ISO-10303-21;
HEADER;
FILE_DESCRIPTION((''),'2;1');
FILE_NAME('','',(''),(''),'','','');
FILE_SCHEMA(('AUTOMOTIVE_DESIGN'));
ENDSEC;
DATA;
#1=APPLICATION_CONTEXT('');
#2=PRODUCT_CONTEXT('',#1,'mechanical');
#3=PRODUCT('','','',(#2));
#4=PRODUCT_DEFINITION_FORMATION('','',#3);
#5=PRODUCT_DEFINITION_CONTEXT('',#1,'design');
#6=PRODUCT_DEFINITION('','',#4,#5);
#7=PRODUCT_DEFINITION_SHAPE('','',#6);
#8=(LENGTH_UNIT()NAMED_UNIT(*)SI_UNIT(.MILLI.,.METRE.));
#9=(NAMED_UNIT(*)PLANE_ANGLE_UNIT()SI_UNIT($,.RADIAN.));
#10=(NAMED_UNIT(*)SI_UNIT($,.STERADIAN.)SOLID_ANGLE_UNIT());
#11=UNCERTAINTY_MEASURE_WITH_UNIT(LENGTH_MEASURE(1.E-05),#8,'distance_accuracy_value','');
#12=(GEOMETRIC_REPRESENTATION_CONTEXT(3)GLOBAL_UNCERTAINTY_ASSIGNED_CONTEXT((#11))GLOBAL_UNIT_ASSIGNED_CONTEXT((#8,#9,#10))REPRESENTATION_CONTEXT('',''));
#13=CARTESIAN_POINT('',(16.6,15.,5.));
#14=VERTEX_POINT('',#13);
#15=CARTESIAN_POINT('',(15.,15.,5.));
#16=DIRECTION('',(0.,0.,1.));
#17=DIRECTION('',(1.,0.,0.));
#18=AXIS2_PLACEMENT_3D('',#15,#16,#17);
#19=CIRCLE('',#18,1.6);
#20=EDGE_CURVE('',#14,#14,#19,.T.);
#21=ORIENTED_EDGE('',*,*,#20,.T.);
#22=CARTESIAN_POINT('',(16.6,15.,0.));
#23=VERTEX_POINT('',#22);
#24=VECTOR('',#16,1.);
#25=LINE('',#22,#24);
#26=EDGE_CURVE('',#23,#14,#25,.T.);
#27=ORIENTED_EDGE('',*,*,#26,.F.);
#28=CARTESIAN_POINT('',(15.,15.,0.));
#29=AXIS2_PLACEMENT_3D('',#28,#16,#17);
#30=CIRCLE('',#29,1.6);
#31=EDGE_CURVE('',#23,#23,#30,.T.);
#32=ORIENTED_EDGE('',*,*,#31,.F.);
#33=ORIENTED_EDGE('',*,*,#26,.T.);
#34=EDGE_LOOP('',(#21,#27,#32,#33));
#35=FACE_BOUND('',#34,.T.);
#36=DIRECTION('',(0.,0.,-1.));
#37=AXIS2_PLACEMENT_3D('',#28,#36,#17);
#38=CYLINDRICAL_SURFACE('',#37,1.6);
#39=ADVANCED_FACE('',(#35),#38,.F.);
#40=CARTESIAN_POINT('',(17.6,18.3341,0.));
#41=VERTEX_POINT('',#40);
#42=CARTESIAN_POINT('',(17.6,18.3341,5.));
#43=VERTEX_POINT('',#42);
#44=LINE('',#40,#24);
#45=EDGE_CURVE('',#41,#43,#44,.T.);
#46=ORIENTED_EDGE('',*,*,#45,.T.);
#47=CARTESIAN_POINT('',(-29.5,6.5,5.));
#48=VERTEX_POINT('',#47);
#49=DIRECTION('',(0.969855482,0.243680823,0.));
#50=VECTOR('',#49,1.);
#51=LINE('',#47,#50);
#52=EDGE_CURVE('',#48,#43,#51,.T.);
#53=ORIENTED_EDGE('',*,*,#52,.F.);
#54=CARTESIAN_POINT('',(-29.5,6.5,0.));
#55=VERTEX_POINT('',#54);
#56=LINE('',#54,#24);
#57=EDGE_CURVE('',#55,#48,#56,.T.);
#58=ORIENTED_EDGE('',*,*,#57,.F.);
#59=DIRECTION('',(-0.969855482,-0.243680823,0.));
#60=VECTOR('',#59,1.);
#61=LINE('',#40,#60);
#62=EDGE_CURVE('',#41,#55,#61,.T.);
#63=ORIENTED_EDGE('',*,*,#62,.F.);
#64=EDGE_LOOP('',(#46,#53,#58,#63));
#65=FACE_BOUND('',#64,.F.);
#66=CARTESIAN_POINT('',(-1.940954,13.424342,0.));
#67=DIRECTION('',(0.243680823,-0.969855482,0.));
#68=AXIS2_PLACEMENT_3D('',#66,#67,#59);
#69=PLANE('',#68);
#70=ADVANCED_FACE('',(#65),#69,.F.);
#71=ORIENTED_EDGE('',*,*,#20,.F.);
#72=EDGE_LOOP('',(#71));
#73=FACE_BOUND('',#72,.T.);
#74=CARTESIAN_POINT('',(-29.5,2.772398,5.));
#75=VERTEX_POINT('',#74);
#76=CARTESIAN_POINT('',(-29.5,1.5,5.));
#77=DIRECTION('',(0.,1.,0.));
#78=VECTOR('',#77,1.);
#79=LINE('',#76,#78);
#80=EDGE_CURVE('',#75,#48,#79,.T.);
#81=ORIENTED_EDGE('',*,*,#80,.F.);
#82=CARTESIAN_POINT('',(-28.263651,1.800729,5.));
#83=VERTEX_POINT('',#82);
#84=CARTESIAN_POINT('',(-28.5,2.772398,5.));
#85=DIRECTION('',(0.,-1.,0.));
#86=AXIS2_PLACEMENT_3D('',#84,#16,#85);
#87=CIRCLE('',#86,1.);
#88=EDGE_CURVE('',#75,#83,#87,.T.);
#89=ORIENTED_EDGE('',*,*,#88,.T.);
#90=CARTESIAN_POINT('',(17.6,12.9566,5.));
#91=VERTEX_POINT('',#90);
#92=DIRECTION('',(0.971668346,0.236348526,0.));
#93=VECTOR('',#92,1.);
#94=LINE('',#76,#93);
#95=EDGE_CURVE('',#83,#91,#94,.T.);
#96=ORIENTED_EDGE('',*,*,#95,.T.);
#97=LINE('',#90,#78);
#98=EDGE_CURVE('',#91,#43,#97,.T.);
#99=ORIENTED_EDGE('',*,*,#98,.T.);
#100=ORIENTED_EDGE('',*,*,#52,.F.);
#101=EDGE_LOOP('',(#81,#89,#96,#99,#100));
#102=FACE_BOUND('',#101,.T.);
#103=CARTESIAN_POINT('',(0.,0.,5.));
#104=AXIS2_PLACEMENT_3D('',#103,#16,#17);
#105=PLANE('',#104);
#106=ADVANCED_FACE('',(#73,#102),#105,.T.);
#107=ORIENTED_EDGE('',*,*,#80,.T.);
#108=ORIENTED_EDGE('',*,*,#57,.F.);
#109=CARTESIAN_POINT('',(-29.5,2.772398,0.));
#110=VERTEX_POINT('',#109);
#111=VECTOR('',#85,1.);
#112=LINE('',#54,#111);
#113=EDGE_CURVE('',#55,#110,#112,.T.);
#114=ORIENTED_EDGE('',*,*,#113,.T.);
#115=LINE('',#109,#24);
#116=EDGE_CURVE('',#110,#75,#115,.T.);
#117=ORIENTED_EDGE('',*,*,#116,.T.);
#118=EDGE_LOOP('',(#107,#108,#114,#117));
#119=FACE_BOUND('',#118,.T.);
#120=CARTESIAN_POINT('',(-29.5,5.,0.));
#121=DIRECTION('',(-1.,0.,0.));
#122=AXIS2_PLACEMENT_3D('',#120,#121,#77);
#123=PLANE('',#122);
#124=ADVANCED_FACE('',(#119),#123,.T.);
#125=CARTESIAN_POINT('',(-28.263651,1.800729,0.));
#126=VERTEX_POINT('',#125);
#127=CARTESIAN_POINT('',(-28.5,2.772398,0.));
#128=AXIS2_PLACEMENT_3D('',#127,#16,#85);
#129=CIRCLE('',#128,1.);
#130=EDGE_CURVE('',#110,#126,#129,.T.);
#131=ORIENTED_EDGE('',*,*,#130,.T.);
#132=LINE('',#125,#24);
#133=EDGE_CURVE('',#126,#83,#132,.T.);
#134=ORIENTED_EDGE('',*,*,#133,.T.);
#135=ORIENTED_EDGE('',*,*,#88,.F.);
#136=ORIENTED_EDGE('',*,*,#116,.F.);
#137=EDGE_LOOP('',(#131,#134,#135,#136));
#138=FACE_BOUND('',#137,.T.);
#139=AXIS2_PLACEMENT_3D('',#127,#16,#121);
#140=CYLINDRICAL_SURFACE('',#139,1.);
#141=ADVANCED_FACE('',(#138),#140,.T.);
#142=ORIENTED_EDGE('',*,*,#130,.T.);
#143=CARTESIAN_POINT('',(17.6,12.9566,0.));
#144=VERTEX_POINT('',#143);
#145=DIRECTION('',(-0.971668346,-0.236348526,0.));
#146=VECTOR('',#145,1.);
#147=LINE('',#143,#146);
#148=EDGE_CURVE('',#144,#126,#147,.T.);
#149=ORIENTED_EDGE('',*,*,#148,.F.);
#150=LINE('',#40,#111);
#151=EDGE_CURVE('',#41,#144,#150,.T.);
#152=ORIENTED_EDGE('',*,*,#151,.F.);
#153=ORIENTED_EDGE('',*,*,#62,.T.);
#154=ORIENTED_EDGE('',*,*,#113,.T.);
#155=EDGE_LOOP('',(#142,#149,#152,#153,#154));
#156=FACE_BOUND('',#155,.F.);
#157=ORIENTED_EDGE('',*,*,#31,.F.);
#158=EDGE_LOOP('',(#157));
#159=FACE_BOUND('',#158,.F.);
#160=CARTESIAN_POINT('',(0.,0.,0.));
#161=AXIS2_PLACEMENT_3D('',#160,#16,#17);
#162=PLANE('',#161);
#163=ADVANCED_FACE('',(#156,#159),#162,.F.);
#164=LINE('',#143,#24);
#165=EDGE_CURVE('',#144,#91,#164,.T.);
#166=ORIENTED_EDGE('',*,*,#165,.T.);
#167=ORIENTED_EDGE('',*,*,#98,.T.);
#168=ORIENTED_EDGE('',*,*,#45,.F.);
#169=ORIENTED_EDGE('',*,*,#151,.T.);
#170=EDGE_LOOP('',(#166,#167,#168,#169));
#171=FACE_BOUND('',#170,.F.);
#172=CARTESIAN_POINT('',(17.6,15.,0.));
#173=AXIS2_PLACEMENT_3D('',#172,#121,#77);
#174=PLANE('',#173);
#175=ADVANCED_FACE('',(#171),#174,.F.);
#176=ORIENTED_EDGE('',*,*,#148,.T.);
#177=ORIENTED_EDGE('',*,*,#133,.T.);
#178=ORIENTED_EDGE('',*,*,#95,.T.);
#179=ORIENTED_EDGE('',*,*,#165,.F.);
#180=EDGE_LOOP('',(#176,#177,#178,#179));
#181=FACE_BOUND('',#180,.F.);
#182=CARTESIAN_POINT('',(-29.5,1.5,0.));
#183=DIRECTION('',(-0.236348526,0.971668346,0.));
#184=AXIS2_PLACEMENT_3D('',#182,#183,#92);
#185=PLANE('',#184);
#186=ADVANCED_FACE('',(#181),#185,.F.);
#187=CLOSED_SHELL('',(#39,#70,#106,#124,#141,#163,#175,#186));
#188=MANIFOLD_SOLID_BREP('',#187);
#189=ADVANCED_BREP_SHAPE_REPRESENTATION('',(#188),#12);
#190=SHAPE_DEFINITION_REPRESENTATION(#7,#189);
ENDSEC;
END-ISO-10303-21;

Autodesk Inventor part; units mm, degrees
ref_plane "YZ Plane" through (0, 0, 0) normal (1, 0, 0) x (0, 1, 0)
ref_plane "XZ Plane" through (0, 0, 0) normal (0, 1, 0) x (-1, 0, 0)
ref_plane "XY Plane" through (0, 0, 0) normal (0, 0, 1) x (1, 0, 0)
sketch "スケッチ1" plane through (0, 0, 0) normal (0, 0, 1) x (1, 0, 0)
  line L0 (0, 0) -> (-100, 0) construction
  line L1 (0, 0) -> (-100, 0) construction
  line L2 (0, 5) -> (-100, 5)
  line L3 (-100, -5) -> (0, -5)
  arc A0 (0, -5) -> (0, 5) centre (0, 0) ccw
  circle A1 centre (0, 0) radius 1.5
  line L4 (-29.5, 1.5) -> (-29.5, 6.5)
  line L5 (-29.5, 1.5) -> (17.6, 12.9566)
  line L6 (17.6, 12.9566) -> (17.6, 18.3341)
  line L7 (17.6, 18.3341) -> (-29.5, 6.5)
  circle A2 centre (0, 15) radius 1.5
  line L8 (0, 15) -> (0, 0)
  circle A3 centre (0, 15) radius 2.5
  circle A4 centre (15, 15) radius 2.5
  circle A5 centre (15, 15) radius 1.5
  line L9 (-30, 6.8899) -> (-30, 0.8638)
  line L10 (-30, 0.8638) -> (18.1, 12.5637)
  line L11 (18.1, 12.5637) -> (18.1, 18.9752)
  line L12 (18.1, 18.9752) -> (-30, 6.8899)
  line L13 (-100, 5) -> (-100, -5)
  line L14 (0, 0) -> (-11, 0)
  line L15 (-11, 0) -> (-11, -3.5)
  line L16 (-11, 0) -> (-7.5, 0) construction
  line L17 (-11, -3.5) -> (0, -3.5)
  circle A6 centre (0, 0) radius 3.5
  line L18 (0, 5) -> (2.4995, 2.45)
  line L19 (-11, 0) -> (-11, -5)
  line L20 (15, 15) -> (15, 15)
  circle A7 centre (15, 15) radius 1.6
  circle A8 centre (15, 15) radius 2.6
  line L21 (-67.5, 5) -> (-67.5, -5)
  point P0 (-22.08, 5)
  point P1 (-39.5, 5)
  point P2 (0, 12.5)
  point P3 (0.6029, 12.5738)
  point P4 (0, 9.4363)
  point P5 (2.4999, 15.0163)
  point P6 (-2.3088, 14.0412)
  point P7 (-19.5417, 5)
  point P8 (-40, 5)
  point P9 (-11, -4.9654)
  dimension "d24" = 100
  dimension "d25" = 3
  dimension "d26" = 5
  dimension "d27" = 3
  dimension "d28" = 15
  dimension "d29" = 1
  dimension "d30" = 15
  dimension "d31" = 0.5
  dimension "d32" = 5
  dimension "d33" = 11
  dimension "d34" = 90
  dimension "d35" = 7
  dimension "d36" = 0
  dimension "d37" = 3.2
  dimension "d38" = 1
  dimension "d39" = 70
  dimension "d40" = 37.5
  dimension "d41" = 100
  dimension "d42" = 3.5
extrude "押し出し1" add sketch "スケッチ1" along normal blind 5 contours L4 L7 A3 L8 L5 L2 | L2 L5 L4 | L8 A3 L7 A8 L5 | L7 A2 L8 A3 | A8 L6 L5 | A8 | L8 A2 L7 A3 | L7 L8 A2 | L7 L6 A8 | L8 L7 A2 | A4
fillet "フィレット1" radius 1 1 edges at (-29.5, 1.5, 2.5)
properties part number "カウンター展開" material "ポリカーボネート、スモーク"
